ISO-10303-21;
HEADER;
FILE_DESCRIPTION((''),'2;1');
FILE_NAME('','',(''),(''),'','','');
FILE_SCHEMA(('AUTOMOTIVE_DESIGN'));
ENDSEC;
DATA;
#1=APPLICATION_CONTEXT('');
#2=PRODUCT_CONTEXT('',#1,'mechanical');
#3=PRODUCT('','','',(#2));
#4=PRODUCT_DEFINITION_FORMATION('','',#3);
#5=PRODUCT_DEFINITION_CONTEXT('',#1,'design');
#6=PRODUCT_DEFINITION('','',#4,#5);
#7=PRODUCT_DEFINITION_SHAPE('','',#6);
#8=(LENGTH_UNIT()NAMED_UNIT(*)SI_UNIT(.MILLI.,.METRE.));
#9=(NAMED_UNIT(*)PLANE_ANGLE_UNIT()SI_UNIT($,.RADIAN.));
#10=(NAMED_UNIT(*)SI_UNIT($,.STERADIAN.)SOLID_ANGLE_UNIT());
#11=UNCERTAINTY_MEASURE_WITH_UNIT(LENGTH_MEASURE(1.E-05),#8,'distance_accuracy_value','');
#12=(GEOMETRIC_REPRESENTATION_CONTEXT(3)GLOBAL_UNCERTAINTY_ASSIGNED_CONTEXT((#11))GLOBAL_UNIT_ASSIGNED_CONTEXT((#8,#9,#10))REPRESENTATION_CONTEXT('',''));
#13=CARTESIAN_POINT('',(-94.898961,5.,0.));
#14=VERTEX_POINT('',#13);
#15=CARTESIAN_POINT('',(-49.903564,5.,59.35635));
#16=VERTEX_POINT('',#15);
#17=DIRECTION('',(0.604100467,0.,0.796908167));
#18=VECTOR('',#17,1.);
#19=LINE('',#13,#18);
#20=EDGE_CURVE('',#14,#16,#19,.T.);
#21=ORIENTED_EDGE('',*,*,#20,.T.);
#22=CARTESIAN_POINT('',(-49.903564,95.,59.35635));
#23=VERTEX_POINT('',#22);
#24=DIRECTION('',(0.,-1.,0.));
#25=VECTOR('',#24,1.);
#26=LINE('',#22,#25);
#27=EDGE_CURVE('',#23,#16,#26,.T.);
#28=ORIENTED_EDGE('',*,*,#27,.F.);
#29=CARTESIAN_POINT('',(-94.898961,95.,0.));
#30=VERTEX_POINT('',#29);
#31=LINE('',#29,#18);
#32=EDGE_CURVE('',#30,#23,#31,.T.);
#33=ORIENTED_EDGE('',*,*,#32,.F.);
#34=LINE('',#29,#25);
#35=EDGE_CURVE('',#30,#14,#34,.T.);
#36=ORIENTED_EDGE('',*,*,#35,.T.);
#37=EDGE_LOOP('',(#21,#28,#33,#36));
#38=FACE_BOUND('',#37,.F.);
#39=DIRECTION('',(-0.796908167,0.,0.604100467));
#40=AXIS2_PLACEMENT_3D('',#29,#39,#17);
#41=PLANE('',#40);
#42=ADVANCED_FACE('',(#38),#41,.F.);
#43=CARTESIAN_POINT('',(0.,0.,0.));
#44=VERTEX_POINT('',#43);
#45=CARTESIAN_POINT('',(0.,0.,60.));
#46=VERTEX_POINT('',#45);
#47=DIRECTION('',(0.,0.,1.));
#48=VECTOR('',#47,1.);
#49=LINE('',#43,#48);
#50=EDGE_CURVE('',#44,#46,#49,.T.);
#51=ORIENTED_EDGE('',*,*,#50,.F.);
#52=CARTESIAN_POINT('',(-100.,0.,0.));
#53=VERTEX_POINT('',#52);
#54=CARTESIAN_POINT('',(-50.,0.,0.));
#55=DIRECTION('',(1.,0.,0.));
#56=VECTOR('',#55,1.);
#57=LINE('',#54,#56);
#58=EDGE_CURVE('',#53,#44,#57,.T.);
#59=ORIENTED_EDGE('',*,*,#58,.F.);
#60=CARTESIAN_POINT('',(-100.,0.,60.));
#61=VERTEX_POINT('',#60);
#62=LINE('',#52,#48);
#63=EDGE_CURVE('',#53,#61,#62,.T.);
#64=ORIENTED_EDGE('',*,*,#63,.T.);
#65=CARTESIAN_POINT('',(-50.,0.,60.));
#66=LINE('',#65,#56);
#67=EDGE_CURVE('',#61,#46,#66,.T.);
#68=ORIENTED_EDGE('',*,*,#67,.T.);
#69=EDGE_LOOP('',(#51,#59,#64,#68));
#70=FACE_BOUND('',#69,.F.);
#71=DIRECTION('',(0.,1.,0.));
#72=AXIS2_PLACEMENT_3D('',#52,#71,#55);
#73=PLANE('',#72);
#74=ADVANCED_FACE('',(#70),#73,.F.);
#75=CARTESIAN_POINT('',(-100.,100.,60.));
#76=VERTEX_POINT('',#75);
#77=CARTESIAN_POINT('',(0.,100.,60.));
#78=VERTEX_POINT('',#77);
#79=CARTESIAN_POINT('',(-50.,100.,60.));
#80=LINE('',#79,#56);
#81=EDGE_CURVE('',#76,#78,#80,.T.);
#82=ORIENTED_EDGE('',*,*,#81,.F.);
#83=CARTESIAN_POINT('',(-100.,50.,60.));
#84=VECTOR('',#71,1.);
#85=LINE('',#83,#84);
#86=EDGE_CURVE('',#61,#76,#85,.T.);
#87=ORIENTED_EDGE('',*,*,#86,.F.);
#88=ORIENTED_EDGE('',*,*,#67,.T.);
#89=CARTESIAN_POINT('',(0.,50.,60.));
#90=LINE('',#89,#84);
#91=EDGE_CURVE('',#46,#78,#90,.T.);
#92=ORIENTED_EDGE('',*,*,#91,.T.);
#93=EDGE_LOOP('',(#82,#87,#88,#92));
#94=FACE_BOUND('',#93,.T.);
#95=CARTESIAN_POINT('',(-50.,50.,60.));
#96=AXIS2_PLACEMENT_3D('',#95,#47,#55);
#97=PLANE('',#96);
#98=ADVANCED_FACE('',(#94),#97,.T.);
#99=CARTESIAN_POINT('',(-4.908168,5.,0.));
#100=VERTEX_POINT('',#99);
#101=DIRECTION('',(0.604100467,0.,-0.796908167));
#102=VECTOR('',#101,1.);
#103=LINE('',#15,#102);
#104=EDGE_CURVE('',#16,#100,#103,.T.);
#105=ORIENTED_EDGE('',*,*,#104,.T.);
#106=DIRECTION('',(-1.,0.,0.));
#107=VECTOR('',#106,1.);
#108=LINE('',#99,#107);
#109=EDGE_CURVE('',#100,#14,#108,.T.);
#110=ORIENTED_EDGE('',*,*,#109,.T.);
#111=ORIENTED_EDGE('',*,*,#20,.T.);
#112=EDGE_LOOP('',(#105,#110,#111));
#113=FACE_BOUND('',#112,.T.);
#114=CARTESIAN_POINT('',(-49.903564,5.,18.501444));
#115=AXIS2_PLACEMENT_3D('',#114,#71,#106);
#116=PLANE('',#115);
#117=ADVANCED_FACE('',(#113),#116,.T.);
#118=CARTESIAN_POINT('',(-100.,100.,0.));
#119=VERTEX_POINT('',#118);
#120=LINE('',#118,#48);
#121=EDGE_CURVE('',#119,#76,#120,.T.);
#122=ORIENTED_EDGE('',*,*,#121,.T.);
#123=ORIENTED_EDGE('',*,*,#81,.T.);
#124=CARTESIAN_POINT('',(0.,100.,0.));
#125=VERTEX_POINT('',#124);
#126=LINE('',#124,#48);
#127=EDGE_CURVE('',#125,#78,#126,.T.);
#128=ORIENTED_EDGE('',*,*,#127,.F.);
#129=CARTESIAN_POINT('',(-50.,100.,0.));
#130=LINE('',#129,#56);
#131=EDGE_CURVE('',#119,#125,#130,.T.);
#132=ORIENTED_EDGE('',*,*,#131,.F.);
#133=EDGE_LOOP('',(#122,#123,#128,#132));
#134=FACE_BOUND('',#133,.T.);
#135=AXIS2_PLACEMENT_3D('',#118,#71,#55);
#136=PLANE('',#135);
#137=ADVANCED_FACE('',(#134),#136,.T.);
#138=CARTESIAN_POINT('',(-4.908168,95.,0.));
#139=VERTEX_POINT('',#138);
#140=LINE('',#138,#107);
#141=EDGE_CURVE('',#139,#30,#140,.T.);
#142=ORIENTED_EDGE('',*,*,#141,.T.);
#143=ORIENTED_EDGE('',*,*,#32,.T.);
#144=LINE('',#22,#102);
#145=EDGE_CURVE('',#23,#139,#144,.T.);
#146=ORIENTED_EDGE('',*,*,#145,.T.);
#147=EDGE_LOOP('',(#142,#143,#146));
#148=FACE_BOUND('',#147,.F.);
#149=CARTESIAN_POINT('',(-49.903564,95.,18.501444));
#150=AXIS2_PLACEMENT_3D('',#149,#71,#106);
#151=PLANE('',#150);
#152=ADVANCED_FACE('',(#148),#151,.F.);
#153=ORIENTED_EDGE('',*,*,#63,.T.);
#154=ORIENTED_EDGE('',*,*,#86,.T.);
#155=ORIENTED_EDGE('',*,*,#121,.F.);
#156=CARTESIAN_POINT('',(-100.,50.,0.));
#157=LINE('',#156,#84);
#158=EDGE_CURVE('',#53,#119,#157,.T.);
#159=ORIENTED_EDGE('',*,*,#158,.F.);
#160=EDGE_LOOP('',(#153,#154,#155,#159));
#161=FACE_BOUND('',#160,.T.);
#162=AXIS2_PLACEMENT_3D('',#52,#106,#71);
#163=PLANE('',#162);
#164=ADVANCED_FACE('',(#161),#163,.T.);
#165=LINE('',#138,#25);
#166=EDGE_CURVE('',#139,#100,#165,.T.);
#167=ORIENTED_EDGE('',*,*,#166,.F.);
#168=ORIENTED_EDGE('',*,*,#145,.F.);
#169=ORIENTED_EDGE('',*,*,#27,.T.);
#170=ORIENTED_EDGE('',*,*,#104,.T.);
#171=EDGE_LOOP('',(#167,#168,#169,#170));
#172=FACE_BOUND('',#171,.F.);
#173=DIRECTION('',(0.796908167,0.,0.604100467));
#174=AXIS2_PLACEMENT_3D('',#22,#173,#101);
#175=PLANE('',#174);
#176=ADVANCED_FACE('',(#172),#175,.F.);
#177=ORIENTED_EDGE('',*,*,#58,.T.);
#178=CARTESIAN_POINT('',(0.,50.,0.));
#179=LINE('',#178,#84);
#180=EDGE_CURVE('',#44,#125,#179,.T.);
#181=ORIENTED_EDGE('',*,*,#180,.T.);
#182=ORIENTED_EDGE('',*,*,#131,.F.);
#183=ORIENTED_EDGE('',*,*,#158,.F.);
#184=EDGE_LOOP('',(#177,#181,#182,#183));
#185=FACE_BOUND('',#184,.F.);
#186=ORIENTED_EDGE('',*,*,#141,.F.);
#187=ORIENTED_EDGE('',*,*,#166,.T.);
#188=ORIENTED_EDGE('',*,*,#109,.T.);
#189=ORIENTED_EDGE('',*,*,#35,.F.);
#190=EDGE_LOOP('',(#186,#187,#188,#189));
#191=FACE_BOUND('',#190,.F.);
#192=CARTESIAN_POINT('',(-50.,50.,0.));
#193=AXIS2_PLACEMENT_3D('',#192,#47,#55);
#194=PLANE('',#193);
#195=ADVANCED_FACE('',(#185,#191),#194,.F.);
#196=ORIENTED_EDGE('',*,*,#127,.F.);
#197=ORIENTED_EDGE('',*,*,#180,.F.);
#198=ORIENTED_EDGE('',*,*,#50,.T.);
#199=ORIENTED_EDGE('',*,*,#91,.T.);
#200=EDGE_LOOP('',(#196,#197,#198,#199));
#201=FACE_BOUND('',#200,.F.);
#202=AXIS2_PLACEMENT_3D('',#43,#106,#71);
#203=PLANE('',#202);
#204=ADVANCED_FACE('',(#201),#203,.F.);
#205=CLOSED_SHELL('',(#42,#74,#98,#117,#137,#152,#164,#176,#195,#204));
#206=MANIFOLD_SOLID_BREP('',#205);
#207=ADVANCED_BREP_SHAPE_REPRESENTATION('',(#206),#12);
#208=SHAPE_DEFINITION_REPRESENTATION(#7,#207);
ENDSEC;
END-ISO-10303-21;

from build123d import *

# Parameters (mm, degrees)
F0_W     = 100
F0_H     = 100
F1_DEPTH = 60
F5_DEPTH = 90


with BuildPart() as f1:
    # F0 (on Top) → F1 (new body)
    with BuildSketch(Plane.XY):
        with Locations((-50, 50)):
            Rectangle(F0_W, F0_H)
    extrude(amount=F1_DEPTH)

    # F4 (on offset) → F5 (cut)
    with BuildSketch(Plane(origin=(0, 95, 0), x_dir=(-1, 0, 0), z_dir=(0, 1, 0))):
        Polygon((49.9035641551, 59.3563504517), (4.9081675543, 0), (94.8989607559, 0), align=None)
    extrude(amount=-F5_DEPTH, mode=Mode.SUBTRACT)


solid = f1.part
